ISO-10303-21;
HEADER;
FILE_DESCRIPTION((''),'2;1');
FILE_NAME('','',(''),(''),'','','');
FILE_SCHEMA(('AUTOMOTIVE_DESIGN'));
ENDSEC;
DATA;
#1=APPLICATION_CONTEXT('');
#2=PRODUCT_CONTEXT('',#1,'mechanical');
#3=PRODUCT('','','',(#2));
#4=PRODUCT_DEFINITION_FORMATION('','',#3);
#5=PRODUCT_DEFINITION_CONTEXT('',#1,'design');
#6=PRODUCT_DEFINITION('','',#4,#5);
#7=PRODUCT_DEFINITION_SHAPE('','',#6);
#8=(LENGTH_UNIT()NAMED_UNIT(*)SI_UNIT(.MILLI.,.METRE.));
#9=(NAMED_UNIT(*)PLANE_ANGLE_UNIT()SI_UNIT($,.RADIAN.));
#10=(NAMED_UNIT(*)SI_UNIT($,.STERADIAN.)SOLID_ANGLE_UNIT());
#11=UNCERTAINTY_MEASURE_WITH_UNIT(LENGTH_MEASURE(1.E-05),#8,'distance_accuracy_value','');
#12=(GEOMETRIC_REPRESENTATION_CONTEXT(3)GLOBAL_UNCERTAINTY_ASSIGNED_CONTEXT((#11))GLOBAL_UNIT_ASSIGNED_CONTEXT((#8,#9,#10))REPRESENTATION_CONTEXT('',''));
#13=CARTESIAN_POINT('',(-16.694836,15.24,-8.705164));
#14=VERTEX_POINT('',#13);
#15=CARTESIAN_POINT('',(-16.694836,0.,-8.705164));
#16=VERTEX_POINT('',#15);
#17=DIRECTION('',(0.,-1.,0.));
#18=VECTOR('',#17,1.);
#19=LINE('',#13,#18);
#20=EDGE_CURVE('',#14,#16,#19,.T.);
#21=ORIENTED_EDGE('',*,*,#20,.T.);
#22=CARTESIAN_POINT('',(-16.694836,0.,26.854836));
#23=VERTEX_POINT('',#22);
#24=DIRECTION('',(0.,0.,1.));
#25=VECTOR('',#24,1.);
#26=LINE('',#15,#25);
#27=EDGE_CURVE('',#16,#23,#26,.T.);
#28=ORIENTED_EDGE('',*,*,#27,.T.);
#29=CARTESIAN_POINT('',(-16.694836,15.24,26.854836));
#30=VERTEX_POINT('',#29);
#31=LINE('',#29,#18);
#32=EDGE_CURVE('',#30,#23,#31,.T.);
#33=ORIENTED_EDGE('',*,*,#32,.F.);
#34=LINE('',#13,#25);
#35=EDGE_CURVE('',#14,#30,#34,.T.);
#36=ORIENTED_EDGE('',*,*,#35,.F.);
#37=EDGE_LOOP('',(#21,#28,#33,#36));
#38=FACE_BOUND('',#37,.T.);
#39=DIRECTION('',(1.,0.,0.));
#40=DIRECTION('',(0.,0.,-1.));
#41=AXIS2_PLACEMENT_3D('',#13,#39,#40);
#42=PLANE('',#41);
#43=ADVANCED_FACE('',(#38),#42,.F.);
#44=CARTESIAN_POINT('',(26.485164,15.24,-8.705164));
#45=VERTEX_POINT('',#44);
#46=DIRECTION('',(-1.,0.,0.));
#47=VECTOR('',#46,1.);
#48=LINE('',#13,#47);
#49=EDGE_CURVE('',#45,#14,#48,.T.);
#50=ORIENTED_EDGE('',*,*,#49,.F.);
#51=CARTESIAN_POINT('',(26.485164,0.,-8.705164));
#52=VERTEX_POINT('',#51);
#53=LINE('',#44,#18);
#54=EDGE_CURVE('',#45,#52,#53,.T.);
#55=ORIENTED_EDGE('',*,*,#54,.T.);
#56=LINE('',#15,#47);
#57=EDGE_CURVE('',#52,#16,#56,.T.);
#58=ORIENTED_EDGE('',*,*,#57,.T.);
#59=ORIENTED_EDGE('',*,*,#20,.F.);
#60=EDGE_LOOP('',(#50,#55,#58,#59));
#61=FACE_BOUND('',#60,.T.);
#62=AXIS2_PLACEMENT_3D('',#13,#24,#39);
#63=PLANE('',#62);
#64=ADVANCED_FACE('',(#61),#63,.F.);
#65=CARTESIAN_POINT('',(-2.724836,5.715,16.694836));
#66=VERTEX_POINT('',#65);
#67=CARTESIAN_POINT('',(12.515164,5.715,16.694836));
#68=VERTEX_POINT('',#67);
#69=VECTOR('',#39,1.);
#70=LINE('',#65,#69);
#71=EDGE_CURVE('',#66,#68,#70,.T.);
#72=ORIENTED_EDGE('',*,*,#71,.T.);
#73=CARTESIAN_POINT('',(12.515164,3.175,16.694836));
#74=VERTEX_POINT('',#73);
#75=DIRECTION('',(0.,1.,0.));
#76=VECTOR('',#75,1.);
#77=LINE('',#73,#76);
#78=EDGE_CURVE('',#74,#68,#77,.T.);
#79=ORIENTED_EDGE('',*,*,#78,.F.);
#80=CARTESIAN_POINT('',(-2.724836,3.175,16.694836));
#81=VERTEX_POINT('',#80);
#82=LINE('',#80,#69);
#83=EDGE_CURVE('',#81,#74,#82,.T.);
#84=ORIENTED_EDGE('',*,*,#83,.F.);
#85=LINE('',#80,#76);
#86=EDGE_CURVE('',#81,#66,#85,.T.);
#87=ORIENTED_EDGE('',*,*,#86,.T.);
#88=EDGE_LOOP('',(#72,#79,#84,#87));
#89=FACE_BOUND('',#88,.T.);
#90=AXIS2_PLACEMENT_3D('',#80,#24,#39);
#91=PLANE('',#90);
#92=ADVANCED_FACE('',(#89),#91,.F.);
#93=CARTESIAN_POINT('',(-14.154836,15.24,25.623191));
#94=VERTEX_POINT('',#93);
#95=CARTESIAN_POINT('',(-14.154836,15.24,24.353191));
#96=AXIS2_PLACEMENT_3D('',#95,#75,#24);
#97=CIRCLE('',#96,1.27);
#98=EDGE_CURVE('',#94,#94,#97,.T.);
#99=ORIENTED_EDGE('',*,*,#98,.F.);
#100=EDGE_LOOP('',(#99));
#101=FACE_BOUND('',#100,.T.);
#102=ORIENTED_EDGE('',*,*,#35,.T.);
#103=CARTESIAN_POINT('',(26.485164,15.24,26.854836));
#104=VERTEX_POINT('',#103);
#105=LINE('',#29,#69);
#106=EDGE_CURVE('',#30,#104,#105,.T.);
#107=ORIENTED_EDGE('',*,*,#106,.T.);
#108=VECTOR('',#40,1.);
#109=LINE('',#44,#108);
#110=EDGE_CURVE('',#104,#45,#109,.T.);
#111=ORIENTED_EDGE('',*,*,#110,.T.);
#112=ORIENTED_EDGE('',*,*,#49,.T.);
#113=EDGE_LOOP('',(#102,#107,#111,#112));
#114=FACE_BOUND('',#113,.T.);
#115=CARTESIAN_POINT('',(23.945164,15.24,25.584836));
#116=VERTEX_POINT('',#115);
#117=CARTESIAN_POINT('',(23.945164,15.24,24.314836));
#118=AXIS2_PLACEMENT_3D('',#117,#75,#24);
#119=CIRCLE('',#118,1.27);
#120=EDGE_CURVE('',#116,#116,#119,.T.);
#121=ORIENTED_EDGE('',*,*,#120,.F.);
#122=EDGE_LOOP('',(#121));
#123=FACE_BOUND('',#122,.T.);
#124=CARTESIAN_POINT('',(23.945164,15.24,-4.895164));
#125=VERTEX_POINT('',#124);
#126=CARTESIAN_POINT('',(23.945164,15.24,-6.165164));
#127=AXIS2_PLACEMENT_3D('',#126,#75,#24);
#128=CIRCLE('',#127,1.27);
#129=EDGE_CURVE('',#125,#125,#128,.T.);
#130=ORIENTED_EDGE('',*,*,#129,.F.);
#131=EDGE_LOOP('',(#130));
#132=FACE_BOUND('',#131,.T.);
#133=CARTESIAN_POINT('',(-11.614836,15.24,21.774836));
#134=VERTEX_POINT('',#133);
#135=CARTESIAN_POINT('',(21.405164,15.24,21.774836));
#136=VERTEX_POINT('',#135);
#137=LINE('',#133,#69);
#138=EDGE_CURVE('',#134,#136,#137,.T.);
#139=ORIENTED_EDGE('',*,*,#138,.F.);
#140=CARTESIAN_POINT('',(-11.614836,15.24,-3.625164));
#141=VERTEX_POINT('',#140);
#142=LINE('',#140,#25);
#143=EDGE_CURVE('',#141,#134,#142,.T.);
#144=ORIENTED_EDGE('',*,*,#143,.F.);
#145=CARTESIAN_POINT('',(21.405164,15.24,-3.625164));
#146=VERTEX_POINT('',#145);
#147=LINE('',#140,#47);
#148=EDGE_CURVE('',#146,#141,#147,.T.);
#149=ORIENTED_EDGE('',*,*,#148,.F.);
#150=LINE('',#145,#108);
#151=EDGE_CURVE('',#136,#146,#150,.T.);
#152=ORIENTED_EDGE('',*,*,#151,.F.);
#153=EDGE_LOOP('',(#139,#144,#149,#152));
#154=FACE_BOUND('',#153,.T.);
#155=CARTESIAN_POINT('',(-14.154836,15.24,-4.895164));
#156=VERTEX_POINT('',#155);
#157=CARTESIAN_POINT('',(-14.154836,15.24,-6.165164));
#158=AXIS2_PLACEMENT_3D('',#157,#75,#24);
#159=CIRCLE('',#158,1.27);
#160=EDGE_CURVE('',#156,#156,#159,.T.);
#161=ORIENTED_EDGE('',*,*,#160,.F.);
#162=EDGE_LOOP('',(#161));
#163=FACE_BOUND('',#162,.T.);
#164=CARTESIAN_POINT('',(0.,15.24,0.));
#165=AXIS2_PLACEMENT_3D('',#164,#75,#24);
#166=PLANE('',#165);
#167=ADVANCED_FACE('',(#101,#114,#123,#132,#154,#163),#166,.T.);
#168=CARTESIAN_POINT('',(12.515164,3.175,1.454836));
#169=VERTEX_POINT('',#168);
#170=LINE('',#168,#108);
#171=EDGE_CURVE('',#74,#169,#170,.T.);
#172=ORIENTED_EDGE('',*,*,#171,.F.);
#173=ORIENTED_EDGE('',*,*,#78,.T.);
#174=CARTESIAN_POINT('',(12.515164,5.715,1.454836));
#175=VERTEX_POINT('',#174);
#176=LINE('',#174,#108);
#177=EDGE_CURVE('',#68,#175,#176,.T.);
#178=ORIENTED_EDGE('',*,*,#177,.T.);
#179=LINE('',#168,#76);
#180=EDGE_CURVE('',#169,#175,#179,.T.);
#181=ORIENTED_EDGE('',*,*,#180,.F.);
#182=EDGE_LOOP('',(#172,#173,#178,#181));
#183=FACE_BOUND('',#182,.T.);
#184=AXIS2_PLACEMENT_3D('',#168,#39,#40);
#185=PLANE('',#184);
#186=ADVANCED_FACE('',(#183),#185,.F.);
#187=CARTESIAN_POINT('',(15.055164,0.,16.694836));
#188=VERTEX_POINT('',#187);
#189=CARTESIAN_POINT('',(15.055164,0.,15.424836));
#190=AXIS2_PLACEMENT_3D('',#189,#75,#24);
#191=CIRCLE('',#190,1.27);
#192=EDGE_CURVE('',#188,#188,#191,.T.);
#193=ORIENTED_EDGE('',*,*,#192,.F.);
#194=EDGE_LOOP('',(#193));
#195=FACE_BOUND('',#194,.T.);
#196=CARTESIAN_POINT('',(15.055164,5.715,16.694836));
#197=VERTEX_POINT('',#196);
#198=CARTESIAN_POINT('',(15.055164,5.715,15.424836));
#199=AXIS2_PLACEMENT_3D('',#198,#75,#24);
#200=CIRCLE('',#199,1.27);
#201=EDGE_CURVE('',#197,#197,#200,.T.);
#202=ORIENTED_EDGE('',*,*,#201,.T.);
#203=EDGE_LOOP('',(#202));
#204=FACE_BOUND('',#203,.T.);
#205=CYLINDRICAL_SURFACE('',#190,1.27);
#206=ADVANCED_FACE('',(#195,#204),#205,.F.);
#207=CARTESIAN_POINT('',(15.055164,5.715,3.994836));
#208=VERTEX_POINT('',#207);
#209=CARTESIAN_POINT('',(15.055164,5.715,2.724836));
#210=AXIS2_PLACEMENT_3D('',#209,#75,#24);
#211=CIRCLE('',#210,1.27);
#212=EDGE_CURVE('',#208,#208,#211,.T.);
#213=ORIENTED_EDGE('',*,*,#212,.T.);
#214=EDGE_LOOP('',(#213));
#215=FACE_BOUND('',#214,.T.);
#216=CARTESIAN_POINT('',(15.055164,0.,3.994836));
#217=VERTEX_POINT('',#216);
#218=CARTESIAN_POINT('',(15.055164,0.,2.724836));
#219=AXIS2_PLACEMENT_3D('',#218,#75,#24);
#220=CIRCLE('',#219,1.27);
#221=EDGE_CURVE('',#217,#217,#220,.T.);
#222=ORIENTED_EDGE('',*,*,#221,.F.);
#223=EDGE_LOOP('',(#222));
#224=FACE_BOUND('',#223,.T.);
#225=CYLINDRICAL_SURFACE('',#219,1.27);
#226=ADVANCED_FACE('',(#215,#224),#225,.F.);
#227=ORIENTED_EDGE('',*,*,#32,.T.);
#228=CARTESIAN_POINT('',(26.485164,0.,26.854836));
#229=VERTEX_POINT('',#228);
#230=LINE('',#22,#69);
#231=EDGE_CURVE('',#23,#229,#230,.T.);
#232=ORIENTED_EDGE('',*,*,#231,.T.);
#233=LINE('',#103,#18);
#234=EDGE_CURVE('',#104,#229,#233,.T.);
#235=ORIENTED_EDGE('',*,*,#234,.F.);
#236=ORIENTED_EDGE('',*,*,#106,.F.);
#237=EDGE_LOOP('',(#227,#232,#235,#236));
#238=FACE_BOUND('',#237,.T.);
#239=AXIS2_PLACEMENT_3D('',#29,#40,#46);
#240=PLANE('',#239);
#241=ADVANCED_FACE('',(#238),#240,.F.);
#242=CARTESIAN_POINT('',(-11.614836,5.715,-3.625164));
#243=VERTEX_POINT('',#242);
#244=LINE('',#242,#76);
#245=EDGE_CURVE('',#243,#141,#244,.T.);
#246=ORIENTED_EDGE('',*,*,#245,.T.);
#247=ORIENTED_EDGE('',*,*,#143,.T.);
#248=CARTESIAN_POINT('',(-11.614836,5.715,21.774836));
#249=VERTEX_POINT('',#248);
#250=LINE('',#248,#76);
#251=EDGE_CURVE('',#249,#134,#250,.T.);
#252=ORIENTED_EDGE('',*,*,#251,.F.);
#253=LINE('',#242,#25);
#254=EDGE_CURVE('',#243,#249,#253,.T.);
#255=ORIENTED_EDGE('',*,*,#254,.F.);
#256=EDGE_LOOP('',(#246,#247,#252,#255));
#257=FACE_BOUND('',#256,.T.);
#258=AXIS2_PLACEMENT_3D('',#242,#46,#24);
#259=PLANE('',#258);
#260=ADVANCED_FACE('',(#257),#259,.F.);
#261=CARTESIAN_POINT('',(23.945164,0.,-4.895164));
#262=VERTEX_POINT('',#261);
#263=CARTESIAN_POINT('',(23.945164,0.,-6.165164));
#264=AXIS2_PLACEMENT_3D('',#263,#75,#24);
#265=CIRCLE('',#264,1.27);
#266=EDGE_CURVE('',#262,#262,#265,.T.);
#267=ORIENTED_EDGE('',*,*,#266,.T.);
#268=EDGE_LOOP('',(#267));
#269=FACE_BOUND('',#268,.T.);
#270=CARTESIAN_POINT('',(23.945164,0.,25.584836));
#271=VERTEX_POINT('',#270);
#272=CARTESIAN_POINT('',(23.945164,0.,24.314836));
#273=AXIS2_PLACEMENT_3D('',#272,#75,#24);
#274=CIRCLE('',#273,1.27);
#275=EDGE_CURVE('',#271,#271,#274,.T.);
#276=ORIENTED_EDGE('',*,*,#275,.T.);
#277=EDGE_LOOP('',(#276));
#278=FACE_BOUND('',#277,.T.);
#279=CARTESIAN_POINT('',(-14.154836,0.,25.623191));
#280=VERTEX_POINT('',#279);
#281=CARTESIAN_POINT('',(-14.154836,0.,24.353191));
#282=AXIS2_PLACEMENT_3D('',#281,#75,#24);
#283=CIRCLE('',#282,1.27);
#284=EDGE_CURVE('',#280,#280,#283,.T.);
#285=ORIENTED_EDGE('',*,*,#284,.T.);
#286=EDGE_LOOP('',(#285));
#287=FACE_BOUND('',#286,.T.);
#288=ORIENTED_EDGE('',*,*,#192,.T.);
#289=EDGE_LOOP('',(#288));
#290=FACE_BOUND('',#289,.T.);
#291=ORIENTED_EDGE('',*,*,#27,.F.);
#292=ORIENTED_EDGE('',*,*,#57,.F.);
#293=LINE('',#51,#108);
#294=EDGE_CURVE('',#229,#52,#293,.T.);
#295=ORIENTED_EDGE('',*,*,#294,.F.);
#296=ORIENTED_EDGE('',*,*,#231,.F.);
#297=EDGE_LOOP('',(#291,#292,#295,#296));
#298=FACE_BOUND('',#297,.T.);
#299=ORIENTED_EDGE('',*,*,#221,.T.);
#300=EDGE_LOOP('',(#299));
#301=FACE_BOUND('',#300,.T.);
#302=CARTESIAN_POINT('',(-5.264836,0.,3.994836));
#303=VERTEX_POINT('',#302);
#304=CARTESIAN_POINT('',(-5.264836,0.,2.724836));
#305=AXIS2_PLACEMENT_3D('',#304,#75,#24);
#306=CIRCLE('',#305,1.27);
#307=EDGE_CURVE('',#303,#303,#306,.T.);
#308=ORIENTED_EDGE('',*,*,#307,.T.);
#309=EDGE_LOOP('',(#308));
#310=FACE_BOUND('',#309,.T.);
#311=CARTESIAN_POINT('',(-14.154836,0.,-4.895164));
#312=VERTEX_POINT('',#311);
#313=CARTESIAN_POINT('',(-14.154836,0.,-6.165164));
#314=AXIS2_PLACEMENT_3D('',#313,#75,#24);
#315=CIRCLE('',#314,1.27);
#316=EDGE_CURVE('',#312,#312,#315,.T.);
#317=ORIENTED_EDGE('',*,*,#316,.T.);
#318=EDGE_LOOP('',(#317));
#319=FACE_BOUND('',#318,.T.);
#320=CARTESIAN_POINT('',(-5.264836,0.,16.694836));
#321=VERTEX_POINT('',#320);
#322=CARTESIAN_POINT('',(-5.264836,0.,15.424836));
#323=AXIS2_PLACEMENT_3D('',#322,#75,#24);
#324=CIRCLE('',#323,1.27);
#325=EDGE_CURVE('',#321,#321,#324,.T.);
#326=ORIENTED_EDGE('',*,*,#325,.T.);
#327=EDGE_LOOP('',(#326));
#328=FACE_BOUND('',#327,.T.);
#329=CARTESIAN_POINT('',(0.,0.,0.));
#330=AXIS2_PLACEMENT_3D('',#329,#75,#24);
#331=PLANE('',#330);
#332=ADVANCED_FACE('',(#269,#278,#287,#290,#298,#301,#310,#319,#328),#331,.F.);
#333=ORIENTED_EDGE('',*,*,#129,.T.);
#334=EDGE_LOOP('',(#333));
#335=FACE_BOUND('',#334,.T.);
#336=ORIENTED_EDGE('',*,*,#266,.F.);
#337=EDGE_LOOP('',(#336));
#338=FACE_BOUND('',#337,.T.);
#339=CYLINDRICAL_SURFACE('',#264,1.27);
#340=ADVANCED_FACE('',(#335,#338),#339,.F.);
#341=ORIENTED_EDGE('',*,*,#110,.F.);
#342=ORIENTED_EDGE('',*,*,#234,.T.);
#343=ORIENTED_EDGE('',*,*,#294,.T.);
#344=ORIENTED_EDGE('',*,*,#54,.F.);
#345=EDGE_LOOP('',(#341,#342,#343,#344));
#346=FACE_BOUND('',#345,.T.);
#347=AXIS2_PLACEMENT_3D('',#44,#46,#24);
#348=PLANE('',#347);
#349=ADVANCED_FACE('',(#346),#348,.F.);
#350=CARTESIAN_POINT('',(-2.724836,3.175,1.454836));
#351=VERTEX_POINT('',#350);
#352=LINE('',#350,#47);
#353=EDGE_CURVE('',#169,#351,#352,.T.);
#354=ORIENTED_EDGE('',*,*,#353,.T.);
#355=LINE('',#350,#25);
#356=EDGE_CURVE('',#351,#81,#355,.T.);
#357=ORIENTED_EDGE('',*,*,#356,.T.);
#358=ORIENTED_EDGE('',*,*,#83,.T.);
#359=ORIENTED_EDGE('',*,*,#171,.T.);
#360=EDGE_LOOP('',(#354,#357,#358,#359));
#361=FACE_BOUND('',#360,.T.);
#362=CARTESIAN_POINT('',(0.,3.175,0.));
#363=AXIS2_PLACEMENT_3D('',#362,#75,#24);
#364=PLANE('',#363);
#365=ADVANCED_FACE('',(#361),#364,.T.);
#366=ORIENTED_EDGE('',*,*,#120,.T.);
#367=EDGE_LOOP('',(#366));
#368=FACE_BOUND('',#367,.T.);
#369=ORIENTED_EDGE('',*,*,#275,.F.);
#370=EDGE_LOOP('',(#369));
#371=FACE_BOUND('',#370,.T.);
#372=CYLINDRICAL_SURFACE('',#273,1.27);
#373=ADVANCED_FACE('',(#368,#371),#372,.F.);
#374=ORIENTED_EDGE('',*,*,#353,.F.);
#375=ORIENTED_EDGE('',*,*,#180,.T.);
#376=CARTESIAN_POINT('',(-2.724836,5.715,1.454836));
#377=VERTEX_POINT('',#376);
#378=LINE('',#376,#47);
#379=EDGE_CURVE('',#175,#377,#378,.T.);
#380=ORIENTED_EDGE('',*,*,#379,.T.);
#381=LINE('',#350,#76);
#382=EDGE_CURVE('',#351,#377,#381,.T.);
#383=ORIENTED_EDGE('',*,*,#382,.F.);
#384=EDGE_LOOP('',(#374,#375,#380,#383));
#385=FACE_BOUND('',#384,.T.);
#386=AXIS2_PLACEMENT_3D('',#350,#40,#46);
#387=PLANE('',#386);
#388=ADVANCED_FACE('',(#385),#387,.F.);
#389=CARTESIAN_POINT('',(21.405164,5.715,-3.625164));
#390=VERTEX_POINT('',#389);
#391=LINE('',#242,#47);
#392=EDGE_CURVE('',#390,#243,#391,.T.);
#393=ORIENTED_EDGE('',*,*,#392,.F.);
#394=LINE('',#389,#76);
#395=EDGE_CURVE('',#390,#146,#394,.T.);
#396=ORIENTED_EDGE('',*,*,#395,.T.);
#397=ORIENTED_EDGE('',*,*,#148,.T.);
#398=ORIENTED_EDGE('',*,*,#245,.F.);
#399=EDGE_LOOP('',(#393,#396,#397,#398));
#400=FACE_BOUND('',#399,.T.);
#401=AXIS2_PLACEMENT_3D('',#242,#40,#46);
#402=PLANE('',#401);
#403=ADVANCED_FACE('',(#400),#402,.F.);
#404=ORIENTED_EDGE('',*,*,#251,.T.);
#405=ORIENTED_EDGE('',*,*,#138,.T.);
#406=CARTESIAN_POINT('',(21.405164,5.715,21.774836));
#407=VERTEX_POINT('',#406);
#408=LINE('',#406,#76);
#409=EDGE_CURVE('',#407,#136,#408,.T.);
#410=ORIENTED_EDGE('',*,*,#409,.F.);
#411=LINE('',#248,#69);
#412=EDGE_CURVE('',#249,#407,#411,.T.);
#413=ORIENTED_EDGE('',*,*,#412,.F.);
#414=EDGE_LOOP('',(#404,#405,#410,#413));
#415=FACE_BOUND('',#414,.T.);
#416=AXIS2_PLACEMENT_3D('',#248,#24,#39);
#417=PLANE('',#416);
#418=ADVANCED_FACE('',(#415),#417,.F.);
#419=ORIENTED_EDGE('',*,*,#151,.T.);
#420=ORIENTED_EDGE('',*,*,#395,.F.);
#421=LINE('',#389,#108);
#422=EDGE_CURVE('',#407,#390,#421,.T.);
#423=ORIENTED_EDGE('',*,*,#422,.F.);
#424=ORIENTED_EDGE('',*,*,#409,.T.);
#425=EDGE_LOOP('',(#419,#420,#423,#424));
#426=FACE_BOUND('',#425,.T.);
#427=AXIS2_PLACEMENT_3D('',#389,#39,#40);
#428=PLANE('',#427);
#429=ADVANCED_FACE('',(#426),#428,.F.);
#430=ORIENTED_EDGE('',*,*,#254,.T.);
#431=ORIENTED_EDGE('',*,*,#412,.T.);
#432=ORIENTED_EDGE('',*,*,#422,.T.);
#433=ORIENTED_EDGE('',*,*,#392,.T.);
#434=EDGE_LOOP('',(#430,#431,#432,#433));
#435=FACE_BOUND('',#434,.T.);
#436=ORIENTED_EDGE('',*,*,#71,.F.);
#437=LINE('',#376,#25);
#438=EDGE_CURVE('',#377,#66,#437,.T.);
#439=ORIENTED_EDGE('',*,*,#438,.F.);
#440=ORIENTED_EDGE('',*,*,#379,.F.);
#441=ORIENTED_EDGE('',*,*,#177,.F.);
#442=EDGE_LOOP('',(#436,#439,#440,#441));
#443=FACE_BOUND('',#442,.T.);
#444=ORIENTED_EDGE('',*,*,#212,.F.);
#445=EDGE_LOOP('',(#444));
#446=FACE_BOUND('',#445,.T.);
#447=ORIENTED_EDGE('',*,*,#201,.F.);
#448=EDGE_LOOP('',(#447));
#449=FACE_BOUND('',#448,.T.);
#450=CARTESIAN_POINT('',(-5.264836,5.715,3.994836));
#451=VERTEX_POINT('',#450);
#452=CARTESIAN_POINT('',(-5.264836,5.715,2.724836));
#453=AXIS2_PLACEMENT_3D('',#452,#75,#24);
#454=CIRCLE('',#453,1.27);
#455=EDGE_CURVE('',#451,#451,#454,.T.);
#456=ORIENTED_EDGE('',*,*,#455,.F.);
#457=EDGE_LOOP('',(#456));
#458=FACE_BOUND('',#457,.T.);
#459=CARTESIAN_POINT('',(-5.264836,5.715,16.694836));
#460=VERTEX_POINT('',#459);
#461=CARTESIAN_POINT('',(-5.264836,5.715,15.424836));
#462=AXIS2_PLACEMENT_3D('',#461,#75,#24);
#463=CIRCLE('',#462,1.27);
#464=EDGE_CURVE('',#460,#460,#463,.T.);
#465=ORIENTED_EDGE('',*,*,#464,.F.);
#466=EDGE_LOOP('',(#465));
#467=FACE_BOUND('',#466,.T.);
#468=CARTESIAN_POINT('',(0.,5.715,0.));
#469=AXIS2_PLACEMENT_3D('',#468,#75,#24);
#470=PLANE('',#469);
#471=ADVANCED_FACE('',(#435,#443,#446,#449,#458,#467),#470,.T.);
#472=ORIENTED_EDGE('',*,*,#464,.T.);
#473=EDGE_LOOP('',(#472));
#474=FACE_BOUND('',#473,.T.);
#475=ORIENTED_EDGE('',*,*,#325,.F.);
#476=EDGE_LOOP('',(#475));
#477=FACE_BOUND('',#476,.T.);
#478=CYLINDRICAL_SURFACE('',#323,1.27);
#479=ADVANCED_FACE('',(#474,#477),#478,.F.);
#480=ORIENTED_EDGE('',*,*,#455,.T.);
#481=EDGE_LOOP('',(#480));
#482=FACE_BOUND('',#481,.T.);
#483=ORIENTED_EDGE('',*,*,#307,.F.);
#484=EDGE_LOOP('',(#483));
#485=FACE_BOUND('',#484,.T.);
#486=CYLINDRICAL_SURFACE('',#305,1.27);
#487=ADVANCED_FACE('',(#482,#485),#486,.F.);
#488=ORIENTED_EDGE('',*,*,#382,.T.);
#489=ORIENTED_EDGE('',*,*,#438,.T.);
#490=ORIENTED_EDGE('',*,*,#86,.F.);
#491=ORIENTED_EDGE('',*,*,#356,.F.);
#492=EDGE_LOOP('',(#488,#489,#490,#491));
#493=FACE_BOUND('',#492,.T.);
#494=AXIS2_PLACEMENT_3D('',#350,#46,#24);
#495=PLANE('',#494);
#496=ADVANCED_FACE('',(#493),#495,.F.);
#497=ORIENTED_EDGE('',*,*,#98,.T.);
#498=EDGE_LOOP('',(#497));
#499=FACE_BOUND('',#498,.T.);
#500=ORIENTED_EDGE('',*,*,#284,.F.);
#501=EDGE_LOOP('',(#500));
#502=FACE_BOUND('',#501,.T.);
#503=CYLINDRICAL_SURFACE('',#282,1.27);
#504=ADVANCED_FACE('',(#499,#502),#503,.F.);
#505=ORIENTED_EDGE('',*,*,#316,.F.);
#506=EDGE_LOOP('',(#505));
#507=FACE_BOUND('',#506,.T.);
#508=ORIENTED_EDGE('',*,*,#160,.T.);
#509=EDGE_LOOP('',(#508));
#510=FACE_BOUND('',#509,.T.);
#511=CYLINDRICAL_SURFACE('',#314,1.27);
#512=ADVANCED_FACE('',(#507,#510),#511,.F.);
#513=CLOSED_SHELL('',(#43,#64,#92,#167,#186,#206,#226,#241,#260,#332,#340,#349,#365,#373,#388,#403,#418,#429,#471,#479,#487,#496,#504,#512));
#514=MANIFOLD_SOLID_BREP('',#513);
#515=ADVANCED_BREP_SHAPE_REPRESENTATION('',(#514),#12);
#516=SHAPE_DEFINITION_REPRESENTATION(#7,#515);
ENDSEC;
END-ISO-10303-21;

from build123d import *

# Parameters (mm, degrees)
SKETCH1_W           = 43.18
SKETCH1_H           = 35.56
BOSS_EXTRUDE1_DEPTH = 15.24
SKETCH2_W           = 33.02
SKETCH2_H           = 25.4
CUT_EXTRUDE1_DEPTH  = 9.525
SKETCH4_W           = 15.24
SKETCH4_H           = 15.24
CUT_EXTRUDE2_DEPTH  = 2.54
SKETCH7_R           = 1.27
CUT_EXTRUDE3_DEPTH  = 6.715
SKETCH8_R           = 1.27
CUT_EXTRUDE4_DEPTH  = 16.24


with BuildPart() as part:
    # Sketch1 → Boss-Extrude1 (new body)
    with BuildSketch(Plane(origin=(0, 0, 0), x_dir=(1, 0, 0), z_dir=(0, 1, 0))):
        with Locations((4.895164319, -9.074835681)):
            Rectangle(SKETCH1_W, SKETCH1_H)
    extrude(amount=BOSS_EXTRUDE1_DEPTH)

    # Sketch2 → Cut-Extrude1 (cut)
    with BuildSketch(Plane(origin=(0, 15.24, 0), x_dir=(1, 0, 0), z_dir=(0, 1, 0))):
        with Locations((4.895164319, -9.074835681)):
            Rectangle(SKETCH2_W, SKETCH2_H)
    extrude(amount=-CUT_EXTRUDE1_DEPTH, mode=Mode.SUBTRACT)

    # Sketch4 → Cut-Extrude2 (cut)
    with BuildSketch(Plane(origin=(0, 5.715, 0), x_dir=(1, 0, 0), z_dir=(0, 1, 0))):
        with Locations((4.895164319, -9.074835681)):
            Rectangle(SKETCH4_W, SKETCH4_H)
    extrude(amount=-CUT_EXTRUDE2_DEPTH, mode=Mode.SUBTRACT)

    # Sketch7 → Cut-Extrude3 (cut, through all)
    with BuildSketch(Plane(origin=(0, 5.715, 0), x_dir=(1, 0, 0), z_dir=(0, 1, 0))):
        with Locations((-5.264835681, -2.724835681)):
            Circle(SKETCH7_R)
        with Locations((-5.264835681, -15.424835681)):
            Circle(SKETCH7_R)
        with Locations((15.055164319, -2.724835681)):
            Circle(SKETCH7_R)
        with Locations((15.055164319, -15.424835681)):
            Circle(SKETCH7_R)
    extrude(amount=-CUT_EXTRUDE3_DEPTH, mode=Mode.SUBTRACT)

    # Sketch8 → Cut-Extrude4 (cut, through all)
    with BuildSketch(Plane(origin=(0, 15.24, 0), x_dir=(1, 0, 0), z_dir=(0, 1, 0))):
        with Locations((-14.154835681, 6.165164319)):
            Circle(SKETCH8_R)
        with Locations((-14.154835681, -24.353191234)):
            Circle(SKETCH8_R)
        with Locations((23.945164319, 6.165164319)):
            Circle(SKETCH8_R)
        with Locations((23.945164319, -24.314835681)):
            Circle(SKETCH8_R)
    extrude(amount=-CUT_EXTRUDE4_DEPTH, mode=Mode.SUBTRACT)


solid = part.part
